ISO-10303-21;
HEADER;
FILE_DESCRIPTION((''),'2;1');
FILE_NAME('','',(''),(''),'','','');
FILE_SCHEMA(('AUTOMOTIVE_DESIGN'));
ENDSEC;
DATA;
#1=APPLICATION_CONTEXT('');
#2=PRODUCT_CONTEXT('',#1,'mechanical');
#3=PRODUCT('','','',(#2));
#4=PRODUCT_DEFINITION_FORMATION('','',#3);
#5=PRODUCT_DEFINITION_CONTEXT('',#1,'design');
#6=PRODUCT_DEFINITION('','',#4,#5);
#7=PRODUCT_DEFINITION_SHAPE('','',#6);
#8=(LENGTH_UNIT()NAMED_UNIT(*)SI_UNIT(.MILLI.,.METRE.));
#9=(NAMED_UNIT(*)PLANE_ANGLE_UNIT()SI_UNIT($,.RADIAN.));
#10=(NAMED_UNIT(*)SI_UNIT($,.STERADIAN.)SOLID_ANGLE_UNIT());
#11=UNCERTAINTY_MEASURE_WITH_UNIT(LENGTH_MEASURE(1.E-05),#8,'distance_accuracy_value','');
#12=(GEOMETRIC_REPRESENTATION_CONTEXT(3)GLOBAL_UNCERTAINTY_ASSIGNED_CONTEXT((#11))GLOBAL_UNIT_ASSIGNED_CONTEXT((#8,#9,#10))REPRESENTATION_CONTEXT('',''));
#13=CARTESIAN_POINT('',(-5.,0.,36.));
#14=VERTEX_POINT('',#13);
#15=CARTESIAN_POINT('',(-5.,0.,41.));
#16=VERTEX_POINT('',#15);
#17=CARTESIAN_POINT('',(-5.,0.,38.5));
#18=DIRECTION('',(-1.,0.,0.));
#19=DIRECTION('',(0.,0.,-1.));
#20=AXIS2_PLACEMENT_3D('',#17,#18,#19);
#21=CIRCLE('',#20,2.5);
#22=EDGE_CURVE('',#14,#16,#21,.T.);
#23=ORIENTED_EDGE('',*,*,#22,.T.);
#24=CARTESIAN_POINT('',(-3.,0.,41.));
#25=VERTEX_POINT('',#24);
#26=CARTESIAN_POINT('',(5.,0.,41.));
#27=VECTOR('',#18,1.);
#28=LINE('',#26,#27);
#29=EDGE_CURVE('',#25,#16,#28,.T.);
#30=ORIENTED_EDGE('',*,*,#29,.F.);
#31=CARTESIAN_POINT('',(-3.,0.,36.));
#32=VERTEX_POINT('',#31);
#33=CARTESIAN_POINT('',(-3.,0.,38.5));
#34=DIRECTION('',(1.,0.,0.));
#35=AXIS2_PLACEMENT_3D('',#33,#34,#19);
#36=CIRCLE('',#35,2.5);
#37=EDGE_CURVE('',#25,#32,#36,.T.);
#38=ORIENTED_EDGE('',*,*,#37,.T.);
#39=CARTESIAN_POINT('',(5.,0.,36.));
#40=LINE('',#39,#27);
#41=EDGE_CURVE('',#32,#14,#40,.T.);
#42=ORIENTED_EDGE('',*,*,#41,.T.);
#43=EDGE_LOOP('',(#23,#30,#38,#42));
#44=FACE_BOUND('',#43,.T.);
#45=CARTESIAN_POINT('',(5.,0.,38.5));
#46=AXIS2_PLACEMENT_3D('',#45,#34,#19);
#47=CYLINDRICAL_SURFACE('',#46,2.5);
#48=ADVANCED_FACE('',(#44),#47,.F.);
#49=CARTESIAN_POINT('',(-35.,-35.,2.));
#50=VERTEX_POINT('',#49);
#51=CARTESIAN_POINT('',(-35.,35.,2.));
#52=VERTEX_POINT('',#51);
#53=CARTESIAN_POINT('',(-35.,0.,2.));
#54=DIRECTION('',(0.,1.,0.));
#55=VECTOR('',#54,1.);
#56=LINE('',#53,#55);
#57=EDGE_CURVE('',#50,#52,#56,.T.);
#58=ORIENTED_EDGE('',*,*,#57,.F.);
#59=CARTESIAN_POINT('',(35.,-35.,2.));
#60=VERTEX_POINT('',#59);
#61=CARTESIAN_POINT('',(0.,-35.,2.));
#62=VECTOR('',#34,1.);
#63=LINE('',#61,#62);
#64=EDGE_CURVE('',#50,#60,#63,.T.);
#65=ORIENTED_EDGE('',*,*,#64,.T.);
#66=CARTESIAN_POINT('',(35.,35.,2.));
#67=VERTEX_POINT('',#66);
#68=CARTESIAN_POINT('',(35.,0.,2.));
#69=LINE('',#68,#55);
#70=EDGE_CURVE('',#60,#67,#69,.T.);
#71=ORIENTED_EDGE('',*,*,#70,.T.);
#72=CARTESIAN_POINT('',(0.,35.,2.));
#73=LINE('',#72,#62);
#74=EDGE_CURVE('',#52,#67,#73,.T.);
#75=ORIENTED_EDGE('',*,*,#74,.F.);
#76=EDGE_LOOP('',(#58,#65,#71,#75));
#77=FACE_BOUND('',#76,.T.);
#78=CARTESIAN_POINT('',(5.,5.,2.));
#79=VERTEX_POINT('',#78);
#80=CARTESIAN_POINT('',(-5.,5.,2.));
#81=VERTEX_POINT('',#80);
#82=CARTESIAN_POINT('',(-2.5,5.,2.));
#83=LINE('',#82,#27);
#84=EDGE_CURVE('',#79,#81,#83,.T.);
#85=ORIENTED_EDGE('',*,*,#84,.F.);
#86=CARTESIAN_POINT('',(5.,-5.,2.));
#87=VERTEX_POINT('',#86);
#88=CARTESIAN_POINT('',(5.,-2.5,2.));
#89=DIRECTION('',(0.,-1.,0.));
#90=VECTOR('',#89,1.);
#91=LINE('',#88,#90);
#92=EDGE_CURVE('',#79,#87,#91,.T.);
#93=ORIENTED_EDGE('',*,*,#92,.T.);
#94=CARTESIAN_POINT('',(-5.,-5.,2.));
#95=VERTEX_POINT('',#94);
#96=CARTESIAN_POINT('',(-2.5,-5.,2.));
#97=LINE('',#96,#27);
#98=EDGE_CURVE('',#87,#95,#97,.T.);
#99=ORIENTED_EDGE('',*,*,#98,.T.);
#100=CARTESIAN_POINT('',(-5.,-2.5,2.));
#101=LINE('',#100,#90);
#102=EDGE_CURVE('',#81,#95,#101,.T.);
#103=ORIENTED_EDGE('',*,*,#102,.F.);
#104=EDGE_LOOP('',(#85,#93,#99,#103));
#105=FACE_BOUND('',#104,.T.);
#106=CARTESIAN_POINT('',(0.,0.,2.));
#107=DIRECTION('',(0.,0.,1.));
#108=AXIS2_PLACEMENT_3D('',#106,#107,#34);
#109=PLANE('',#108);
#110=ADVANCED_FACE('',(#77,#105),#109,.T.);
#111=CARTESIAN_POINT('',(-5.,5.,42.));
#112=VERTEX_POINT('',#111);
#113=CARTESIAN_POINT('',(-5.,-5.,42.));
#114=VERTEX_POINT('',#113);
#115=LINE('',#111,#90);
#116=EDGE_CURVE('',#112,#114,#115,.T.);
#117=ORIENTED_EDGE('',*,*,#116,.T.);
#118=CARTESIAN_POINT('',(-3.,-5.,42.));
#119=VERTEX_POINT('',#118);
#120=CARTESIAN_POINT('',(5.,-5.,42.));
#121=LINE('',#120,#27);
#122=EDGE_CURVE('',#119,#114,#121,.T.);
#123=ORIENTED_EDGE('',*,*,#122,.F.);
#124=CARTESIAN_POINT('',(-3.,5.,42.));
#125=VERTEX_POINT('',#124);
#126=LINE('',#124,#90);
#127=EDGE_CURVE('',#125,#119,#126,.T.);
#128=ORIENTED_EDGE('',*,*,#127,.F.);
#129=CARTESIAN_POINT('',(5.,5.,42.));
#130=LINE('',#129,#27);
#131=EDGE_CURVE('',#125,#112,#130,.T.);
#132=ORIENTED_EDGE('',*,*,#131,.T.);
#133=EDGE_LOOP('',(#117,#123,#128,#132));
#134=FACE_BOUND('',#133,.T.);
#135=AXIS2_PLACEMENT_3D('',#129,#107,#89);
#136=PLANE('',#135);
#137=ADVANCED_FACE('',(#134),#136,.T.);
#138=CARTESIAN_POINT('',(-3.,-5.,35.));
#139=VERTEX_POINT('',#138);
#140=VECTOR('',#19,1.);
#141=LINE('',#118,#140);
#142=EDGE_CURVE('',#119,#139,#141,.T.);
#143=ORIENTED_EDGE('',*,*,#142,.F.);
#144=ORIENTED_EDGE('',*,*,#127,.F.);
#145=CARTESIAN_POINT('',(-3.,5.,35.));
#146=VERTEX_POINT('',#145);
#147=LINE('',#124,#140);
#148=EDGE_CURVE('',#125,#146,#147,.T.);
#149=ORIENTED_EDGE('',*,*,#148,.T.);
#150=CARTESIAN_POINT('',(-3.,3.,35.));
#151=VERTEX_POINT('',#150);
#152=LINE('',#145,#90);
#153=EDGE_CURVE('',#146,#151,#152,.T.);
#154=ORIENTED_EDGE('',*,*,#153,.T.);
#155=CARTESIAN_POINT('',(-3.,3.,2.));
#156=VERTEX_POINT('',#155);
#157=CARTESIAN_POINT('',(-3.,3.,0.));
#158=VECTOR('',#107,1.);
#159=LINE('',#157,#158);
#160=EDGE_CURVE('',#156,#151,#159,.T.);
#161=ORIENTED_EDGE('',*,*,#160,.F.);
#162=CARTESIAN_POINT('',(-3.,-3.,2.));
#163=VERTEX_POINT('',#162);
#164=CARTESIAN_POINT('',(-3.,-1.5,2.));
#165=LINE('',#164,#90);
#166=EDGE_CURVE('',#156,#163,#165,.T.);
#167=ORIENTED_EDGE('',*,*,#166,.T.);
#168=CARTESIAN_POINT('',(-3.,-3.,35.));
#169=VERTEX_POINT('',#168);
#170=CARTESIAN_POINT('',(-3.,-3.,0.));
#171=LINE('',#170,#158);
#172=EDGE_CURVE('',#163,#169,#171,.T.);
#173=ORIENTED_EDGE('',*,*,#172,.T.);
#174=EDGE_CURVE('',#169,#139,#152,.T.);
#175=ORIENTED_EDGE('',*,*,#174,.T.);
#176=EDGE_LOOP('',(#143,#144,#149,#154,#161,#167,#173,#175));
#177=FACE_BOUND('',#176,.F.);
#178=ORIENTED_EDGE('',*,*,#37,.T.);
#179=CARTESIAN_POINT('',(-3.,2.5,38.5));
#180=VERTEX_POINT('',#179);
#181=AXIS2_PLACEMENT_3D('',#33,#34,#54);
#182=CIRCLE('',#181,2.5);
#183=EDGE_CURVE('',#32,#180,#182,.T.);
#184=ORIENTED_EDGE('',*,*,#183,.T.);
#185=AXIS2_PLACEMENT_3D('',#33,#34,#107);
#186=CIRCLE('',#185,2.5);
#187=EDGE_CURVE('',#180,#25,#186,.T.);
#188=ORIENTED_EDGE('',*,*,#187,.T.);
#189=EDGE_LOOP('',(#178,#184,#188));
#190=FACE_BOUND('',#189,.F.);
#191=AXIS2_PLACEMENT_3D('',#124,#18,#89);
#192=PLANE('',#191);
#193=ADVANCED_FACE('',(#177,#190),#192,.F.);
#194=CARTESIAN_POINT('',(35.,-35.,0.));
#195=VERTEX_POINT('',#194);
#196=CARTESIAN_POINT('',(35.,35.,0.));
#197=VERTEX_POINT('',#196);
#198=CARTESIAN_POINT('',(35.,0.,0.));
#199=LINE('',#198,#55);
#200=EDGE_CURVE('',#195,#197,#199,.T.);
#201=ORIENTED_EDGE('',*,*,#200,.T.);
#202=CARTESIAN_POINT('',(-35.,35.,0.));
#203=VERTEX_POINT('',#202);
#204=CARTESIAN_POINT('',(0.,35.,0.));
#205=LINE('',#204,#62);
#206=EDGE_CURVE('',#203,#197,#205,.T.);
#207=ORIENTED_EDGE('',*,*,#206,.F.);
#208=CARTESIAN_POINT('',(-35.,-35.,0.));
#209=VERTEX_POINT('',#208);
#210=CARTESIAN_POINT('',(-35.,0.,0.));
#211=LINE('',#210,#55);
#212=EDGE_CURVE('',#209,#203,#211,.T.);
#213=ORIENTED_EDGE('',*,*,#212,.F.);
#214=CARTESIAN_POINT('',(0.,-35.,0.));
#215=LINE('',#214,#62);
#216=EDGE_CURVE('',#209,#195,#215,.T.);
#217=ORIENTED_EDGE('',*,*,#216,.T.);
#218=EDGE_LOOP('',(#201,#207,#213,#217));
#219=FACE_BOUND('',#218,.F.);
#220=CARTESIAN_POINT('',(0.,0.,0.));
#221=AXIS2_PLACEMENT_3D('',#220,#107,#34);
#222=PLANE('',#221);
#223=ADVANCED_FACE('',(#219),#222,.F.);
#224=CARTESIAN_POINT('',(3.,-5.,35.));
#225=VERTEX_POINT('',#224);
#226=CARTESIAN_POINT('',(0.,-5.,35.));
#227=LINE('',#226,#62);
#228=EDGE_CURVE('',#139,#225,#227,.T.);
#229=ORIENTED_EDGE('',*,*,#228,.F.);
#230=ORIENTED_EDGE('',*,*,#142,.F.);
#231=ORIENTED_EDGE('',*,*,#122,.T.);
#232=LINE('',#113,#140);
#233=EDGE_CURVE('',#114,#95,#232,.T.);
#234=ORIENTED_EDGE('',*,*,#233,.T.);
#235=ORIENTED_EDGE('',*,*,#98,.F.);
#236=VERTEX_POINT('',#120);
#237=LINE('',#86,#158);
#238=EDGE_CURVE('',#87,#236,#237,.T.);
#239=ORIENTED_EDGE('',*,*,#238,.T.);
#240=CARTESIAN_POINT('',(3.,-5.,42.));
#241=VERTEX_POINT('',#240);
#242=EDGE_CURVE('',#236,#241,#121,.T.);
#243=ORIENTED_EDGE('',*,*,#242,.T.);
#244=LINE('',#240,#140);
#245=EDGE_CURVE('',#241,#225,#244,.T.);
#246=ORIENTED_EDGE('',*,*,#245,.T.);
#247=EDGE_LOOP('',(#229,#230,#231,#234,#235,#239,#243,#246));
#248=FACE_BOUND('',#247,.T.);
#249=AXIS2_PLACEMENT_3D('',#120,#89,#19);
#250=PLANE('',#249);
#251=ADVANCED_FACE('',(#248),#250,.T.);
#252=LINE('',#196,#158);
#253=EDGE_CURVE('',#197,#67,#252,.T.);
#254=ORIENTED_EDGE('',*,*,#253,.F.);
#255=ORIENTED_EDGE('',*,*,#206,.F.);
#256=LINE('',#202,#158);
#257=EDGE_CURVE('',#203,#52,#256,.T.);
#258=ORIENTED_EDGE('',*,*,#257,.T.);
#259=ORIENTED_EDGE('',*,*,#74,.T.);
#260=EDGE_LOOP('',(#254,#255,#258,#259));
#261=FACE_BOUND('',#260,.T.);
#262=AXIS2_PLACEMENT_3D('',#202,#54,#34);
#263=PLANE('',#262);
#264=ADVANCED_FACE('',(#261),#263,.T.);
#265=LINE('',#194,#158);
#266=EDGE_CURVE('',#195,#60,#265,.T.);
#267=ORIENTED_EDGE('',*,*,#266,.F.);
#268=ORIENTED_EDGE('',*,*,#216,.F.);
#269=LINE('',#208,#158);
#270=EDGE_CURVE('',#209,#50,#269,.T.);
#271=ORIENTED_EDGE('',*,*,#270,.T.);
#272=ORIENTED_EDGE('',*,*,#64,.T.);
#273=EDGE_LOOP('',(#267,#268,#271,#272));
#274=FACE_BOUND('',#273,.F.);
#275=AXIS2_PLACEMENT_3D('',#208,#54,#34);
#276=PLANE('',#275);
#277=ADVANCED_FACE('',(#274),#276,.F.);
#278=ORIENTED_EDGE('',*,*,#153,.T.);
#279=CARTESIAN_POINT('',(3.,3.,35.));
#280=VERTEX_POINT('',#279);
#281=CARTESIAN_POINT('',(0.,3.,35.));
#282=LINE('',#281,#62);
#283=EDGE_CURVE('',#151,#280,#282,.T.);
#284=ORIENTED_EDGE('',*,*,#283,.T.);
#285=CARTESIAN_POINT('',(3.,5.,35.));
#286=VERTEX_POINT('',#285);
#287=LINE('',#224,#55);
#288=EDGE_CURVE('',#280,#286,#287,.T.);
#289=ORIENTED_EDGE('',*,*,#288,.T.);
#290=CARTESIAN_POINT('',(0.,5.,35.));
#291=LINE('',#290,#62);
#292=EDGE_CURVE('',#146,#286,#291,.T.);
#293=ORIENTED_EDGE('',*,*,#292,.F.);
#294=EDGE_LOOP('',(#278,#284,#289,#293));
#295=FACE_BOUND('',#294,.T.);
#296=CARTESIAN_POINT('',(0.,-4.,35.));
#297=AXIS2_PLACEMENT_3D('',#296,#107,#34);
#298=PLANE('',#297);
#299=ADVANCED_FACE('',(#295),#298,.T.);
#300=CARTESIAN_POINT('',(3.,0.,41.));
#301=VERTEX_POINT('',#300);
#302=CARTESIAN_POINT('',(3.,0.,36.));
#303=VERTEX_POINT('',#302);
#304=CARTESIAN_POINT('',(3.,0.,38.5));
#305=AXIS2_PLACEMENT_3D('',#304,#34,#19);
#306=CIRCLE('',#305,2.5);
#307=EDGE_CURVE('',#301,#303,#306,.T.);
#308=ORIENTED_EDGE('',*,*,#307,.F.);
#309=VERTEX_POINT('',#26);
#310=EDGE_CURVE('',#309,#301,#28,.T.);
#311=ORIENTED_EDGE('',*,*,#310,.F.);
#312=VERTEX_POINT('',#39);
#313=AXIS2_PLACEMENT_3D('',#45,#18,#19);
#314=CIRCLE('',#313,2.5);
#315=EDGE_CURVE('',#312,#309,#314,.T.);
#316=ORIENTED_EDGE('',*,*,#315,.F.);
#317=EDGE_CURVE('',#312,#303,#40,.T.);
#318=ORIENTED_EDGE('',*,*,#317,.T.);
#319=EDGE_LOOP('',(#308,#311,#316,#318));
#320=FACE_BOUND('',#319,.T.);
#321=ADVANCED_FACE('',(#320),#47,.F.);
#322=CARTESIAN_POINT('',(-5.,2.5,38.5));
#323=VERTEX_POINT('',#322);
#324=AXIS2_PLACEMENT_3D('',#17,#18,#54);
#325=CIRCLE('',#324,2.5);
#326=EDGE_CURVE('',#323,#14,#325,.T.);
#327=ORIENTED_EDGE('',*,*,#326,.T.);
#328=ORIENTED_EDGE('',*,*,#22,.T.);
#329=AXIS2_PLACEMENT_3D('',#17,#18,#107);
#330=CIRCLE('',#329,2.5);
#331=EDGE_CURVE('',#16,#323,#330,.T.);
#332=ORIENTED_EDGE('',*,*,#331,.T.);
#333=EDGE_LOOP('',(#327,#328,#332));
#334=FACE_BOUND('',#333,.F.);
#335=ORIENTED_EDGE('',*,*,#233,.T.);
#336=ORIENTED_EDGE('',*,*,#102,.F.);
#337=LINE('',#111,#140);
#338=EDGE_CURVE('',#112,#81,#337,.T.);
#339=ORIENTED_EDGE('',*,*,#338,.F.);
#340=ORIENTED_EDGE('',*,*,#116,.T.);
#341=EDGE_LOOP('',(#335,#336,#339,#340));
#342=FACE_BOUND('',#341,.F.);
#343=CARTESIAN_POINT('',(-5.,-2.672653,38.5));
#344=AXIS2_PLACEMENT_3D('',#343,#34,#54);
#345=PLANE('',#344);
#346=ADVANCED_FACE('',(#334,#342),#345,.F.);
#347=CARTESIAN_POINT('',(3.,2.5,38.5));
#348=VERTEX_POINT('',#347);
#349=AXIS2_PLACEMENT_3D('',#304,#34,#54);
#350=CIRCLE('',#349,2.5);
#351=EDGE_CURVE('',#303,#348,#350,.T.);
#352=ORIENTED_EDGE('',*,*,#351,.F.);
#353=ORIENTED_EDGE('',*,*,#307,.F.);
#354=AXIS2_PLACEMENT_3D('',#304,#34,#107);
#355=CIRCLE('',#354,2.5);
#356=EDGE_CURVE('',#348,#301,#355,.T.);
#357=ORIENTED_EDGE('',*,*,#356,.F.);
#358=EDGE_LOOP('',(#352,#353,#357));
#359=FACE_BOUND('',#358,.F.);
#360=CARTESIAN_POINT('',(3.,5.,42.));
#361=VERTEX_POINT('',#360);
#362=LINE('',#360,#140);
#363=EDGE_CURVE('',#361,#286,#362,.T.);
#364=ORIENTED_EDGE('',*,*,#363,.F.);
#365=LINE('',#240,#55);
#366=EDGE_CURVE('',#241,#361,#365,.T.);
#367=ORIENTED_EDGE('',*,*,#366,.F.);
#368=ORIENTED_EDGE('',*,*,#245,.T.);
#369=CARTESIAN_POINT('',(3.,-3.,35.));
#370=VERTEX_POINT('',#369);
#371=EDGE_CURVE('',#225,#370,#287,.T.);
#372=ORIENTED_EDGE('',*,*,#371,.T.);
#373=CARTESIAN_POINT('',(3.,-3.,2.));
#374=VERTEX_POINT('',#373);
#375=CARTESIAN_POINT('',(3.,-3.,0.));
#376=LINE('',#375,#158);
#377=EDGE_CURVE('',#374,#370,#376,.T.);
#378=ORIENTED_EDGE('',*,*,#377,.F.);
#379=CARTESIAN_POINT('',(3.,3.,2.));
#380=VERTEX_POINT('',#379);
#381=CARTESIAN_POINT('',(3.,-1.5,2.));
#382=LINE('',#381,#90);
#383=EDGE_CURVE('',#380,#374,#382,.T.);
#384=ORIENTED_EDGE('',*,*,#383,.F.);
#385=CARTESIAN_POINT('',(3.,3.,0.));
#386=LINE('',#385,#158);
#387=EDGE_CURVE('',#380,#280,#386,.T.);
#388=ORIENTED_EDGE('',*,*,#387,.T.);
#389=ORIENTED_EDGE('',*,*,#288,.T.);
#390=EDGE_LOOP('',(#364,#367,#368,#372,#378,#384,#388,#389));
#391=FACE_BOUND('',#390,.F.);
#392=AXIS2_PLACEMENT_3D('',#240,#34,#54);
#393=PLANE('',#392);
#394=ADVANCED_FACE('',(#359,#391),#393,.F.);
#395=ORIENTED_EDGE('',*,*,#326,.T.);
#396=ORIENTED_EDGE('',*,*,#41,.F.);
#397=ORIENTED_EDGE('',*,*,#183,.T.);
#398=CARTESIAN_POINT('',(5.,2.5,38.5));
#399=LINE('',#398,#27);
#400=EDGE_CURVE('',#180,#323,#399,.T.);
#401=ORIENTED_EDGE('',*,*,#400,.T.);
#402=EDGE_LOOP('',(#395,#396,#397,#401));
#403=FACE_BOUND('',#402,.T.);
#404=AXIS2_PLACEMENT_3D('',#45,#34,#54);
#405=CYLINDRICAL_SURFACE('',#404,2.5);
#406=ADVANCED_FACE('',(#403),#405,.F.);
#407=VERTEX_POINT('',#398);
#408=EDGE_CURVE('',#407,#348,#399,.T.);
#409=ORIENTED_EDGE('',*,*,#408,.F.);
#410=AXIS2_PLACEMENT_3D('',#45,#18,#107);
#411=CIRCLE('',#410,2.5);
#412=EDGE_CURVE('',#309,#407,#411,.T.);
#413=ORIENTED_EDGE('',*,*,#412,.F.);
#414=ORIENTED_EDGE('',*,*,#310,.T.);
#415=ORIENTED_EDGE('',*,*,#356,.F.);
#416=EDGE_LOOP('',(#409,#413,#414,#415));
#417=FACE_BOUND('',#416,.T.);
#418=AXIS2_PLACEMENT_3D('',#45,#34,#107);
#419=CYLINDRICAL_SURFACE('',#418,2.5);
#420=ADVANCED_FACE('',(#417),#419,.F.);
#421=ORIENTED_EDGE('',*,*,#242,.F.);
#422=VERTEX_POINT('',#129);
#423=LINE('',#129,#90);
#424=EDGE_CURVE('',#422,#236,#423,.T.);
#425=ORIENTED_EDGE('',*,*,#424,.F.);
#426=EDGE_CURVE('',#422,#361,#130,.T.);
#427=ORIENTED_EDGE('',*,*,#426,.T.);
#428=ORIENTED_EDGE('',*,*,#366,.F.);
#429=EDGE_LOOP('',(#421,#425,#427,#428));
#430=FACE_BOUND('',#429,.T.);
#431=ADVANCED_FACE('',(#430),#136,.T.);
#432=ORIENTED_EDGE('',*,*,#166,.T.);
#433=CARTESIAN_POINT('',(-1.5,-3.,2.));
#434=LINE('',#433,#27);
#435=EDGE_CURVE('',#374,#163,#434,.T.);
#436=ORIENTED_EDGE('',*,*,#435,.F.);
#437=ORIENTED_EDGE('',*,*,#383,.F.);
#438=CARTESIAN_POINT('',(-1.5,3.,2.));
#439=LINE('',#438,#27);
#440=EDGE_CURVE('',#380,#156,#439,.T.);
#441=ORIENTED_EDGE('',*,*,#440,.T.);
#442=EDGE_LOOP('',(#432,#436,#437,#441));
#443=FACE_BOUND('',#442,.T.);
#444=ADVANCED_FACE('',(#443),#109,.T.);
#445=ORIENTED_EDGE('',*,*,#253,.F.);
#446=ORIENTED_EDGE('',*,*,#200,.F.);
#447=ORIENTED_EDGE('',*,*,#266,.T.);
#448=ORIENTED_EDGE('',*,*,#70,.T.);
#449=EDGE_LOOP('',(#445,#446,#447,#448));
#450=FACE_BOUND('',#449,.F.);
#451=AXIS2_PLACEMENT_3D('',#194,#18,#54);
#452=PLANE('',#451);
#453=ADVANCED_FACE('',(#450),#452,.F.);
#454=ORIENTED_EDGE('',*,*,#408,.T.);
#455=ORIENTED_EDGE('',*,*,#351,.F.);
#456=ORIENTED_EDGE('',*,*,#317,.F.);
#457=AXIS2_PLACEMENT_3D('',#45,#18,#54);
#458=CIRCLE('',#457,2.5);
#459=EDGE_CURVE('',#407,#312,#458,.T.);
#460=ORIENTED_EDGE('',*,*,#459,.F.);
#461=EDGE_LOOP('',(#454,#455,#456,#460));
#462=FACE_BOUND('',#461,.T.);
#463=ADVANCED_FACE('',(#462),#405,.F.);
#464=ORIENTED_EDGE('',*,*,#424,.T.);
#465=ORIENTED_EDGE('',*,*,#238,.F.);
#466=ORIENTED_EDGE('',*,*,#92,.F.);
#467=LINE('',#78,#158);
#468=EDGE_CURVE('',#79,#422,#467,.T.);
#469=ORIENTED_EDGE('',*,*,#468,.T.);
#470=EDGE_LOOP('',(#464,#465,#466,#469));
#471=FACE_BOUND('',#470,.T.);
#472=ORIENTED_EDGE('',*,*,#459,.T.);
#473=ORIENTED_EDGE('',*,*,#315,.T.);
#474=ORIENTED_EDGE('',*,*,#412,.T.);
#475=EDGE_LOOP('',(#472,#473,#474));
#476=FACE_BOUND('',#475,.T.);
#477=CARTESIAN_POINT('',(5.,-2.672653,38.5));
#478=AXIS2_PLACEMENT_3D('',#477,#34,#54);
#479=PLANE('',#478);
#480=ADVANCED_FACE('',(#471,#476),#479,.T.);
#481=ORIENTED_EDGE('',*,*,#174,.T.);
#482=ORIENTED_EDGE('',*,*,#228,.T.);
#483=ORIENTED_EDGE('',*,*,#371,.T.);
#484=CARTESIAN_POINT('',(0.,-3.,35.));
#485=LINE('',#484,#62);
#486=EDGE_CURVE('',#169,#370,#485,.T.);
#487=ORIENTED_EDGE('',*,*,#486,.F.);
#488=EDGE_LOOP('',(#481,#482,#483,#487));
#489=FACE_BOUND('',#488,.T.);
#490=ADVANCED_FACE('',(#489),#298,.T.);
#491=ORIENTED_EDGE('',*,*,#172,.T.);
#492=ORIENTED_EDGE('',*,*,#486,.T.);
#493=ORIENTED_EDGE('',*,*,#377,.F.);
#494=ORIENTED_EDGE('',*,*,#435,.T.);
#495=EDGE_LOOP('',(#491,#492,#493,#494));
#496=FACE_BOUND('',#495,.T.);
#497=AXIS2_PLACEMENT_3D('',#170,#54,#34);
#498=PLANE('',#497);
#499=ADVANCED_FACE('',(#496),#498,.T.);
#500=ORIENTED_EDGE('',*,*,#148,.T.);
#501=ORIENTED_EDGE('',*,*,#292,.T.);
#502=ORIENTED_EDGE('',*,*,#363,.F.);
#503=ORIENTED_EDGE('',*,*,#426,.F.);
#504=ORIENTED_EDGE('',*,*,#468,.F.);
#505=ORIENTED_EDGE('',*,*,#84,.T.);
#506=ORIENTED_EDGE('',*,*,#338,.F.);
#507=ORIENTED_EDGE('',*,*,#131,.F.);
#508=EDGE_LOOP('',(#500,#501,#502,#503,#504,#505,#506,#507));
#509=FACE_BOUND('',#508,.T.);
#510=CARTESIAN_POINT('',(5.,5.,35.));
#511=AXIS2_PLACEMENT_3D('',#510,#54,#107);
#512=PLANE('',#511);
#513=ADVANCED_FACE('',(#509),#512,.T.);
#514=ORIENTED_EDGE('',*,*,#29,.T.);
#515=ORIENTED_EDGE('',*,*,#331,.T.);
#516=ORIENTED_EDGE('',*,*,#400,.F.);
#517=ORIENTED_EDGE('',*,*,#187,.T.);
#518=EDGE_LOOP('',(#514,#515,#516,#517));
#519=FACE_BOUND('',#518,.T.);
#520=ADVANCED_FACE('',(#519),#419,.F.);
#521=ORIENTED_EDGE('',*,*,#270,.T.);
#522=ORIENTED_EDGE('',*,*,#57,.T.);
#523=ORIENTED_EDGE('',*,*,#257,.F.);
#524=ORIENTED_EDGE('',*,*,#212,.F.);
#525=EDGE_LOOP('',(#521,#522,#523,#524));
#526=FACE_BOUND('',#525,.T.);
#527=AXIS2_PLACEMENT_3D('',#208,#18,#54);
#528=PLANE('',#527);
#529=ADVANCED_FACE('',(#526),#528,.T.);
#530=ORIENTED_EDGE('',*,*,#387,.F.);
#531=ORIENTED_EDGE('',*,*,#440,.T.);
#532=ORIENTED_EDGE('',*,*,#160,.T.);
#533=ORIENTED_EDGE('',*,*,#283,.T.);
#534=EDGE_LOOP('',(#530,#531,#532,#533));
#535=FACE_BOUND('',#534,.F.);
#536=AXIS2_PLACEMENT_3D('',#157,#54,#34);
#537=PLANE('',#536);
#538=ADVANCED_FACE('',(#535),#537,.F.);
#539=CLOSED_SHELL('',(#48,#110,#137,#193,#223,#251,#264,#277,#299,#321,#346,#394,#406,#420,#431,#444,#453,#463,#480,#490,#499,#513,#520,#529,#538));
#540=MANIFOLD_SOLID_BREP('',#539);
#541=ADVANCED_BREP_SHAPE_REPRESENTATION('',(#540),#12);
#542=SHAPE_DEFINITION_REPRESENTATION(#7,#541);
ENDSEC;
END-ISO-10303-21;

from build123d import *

# Parameters (mm, degrees)
F0_W     = 70
F0_H     = 70
F0_W_2   = 10
F0_H_2   = 10
F0_W_3   = 6
F0_H_3   = 6
F1_DEPTH = 2
F2_DEPTH = 35
F4_DEPTH = 10
F5_W     = 6
F5_H     = 2
F5_H_2   = 6
F6_DEPTH = 7


with BuildPart() as f1:
    # F0 (on Top) → F1 (new body)
    with BuildSketch(Plane.XY):
        Rectangle(F0_W, F0_H)
        Rectangle(F0_W_2, F0_H_2, mode=Mode.SUBTRACT)
        Rectangle(F0_W_2, F0_H_2)
        Rectangle(F0_W_3, F0_H_3, mode=Mode.SUBTRACT)
        Rectangle(F0_W_3, F0_H_3)
    extrude(amount=F1_DEPTH)

    # F0 (on Top) → F2 (join)
    with BuildSketch(Plane.XY):
        Rectangle(F0_W_2, F0_H_2)
        Rectangle(F0_W_3, F0_H_3, mode=Mode.SUBTRACT)
    extrude(amount=F2_DEPTH)

    # F3 (on face) → F4 (join)
    with BuildSketch(Plane.YZ.offset(5)):
        with BuildLine():
            Line((-5, 42), (-5, 35))
            Line((-5, 35), (0, 35))
            Line((0, 35), (0, 36))
            ThreePointArc((0, 36), (-2.5, 38.5), (0, 41))
            Line((0, 41), (0, 42))
            Line((0, 42), (-5, 42))
        make_face()
        with BuildLine():
            Line((0, 36), (0, 35))
            Line((0, 35), (5, 35))
            Line((5, 35), (5, 42))
            Line((5, 42), (0, 42))
            Line((0, 42), (0, 41))
            ThreePointArc((0, 41), (1.767766953, 40.267766953), (2.5, 38.5))
            ThreePointArc((2.5, 38.5), (1.767766953, 36.732233047), (0, 36))
        make_face()
    extrude(amount=-F4_DEPTH)

    # F5 (on face) → F6 (cut)
    with BuildSketch(Plane.XY.offset(42)):
        with Locations((0, -4)):
            Rectangle(F5_W, F5_H)
        Rectangle(F5_W, F5_H_2)
        with Locations((0, 4)):
            Rectangle(F5_W, F5_H)
    extrude(amount=-F6_DEPTH, mode=Mode.SUBTRACT)


solid = f1.part
